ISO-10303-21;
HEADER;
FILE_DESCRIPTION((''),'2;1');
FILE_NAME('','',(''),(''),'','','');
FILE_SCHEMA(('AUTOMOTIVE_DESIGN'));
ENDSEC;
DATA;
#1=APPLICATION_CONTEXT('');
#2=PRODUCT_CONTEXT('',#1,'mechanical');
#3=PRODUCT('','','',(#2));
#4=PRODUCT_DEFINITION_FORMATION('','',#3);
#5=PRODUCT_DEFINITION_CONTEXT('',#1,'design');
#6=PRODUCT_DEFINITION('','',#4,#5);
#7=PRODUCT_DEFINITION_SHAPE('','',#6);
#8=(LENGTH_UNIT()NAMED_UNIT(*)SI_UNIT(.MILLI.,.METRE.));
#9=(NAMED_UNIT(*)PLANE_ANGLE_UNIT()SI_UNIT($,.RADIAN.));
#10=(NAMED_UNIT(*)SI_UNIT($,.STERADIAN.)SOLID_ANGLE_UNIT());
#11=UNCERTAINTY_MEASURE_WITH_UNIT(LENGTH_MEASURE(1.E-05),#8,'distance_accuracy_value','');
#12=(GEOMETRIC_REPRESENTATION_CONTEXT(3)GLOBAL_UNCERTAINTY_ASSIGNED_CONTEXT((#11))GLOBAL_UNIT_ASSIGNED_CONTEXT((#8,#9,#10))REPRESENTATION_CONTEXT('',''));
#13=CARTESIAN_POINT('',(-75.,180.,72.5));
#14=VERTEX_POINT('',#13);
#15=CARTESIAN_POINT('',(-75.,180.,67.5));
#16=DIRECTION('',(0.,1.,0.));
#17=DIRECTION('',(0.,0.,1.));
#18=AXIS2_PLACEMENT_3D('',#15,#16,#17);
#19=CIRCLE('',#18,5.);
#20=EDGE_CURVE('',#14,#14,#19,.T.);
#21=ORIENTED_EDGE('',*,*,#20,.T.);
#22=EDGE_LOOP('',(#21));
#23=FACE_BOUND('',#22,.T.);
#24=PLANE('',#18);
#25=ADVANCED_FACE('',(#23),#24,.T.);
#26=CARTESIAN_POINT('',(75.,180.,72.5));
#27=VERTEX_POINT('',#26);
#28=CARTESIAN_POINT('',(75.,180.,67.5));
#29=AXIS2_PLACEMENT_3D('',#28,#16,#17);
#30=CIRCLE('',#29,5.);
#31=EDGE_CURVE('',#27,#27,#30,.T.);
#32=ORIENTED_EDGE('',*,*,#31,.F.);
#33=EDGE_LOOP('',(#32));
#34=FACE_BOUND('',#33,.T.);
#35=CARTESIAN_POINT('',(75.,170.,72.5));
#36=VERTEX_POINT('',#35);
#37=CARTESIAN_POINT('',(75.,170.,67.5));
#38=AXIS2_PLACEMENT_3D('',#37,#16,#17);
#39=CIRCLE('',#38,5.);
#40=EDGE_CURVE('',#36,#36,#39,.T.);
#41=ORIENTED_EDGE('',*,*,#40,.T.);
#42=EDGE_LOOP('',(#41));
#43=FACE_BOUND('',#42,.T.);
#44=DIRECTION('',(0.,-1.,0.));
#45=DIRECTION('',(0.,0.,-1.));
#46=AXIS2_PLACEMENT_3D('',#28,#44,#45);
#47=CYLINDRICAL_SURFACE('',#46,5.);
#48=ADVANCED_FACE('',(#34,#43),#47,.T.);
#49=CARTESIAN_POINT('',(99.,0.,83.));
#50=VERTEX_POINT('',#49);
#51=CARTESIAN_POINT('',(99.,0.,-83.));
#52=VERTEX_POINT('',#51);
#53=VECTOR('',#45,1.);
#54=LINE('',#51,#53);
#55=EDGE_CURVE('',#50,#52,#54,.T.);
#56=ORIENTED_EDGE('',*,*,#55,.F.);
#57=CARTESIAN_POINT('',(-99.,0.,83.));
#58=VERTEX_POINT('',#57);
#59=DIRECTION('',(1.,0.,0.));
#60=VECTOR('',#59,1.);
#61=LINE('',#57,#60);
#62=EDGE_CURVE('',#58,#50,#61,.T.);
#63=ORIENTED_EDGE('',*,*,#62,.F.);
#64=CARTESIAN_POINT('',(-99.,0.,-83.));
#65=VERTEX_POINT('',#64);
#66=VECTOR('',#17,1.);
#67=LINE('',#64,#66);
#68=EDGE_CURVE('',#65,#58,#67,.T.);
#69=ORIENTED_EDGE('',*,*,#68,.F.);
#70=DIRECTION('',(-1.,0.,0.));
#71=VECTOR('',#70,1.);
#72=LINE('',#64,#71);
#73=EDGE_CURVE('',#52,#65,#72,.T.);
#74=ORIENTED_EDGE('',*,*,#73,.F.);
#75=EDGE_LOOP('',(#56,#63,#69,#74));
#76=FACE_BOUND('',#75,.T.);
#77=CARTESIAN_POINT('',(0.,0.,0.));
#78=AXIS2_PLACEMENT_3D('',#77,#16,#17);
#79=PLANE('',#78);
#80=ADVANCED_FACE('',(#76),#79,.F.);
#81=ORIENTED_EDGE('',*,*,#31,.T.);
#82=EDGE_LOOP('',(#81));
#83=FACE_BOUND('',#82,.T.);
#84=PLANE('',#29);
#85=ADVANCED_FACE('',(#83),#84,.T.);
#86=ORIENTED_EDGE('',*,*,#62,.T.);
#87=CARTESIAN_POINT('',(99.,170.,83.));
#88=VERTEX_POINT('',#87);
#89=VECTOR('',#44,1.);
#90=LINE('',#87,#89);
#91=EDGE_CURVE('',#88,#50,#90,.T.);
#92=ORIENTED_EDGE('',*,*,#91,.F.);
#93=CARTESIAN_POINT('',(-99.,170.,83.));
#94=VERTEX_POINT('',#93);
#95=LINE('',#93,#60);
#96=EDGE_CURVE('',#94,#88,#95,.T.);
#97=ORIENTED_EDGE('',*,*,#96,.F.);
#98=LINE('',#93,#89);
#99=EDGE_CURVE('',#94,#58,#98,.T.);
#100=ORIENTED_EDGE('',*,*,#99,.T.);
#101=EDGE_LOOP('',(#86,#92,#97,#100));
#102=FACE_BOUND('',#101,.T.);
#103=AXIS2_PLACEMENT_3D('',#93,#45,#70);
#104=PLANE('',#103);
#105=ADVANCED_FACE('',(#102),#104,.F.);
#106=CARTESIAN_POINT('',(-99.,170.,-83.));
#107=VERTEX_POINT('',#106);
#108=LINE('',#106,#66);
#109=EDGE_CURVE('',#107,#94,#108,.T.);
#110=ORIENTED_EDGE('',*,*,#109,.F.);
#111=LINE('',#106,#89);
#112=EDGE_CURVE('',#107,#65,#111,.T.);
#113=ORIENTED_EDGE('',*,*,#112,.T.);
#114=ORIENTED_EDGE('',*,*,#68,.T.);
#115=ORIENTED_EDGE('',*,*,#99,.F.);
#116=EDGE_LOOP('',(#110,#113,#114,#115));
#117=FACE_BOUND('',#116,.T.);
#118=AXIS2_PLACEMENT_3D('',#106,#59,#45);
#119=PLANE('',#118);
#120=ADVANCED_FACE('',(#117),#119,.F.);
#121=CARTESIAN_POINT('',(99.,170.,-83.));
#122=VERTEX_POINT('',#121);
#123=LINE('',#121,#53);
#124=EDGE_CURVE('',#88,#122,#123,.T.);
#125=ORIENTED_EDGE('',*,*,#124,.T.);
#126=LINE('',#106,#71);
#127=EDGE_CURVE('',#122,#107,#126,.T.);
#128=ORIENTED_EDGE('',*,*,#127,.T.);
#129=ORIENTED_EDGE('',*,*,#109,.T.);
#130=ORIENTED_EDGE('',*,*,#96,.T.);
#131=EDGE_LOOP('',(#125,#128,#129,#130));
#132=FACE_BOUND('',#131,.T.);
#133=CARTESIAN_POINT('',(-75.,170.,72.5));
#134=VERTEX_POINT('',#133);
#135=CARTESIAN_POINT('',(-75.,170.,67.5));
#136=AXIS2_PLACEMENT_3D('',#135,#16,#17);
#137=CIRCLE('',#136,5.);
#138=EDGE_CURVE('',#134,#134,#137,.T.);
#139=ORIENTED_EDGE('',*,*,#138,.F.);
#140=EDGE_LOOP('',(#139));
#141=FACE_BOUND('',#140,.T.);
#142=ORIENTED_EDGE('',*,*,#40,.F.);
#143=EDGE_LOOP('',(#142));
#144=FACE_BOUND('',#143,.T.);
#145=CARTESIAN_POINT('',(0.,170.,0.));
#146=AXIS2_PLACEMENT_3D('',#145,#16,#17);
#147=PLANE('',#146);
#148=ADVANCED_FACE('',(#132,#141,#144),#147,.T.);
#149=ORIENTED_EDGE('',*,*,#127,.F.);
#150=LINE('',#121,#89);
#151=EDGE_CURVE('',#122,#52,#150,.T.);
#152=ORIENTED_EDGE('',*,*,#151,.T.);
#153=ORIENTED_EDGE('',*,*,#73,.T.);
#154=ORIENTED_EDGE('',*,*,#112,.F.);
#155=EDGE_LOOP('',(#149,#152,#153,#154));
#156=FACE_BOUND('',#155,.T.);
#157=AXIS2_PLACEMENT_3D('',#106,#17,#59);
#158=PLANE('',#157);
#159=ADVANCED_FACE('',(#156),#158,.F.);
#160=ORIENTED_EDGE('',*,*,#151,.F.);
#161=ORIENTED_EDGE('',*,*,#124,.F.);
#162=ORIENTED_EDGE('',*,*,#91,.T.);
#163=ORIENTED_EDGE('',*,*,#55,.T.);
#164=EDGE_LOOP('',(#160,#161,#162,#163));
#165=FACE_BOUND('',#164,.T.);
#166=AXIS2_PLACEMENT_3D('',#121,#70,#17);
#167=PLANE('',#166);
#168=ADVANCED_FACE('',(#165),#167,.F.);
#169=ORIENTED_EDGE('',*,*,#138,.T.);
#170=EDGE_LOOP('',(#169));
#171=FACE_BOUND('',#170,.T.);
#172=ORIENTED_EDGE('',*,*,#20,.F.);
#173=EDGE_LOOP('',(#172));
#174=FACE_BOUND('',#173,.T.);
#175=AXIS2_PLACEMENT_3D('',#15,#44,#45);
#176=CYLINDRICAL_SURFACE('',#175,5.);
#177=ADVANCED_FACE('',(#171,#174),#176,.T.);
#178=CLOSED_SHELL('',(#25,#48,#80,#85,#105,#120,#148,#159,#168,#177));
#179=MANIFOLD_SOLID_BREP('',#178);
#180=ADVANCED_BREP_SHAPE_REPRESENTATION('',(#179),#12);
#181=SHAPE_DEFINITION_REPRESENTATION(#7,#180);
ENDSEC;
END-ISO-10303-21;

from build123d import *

# Parameters (mm, degrees)
SKETCH1_W           = 198
SKETCH1_H           = 166
BOSS_EXTRUDE1_DEPTH = 170
SKETCH2_R           = 5
BOSS_EXTRUDE2_DEPTH = 10


with BuildPart() as part:
    # Sketch1 → Boss-Extrude1 (new body)
    with BuildSketch(Plane(origin=(0, 0, 0), x_dir=(1, 0, 0), z_dir=(0, 1, 0))):
        Rectangle(SKETCH1_W, SKETCH1_H)
    extrude(amount=BOSS_EXTRUDE1_DEPTH)

    # Sketch2 → Boss-Extrude2 (add)
    with BuildSketch(Plane(origin=(0, 170, 0), x_dir=(1, 0, 0), z_dir=(0, 1, 0))):
        with Locations(Location((-75, -67.5, 0), (0, 0, 270))):
            Circle(SKETCH2_R)
        with Locations(Location((75, -67.5, 0), (0, 0, 270))):
            Circle(SKETCH2_R)
    extrude(amount=BOSS_EXTRUDE2_DEPTH)


solid = part.part
